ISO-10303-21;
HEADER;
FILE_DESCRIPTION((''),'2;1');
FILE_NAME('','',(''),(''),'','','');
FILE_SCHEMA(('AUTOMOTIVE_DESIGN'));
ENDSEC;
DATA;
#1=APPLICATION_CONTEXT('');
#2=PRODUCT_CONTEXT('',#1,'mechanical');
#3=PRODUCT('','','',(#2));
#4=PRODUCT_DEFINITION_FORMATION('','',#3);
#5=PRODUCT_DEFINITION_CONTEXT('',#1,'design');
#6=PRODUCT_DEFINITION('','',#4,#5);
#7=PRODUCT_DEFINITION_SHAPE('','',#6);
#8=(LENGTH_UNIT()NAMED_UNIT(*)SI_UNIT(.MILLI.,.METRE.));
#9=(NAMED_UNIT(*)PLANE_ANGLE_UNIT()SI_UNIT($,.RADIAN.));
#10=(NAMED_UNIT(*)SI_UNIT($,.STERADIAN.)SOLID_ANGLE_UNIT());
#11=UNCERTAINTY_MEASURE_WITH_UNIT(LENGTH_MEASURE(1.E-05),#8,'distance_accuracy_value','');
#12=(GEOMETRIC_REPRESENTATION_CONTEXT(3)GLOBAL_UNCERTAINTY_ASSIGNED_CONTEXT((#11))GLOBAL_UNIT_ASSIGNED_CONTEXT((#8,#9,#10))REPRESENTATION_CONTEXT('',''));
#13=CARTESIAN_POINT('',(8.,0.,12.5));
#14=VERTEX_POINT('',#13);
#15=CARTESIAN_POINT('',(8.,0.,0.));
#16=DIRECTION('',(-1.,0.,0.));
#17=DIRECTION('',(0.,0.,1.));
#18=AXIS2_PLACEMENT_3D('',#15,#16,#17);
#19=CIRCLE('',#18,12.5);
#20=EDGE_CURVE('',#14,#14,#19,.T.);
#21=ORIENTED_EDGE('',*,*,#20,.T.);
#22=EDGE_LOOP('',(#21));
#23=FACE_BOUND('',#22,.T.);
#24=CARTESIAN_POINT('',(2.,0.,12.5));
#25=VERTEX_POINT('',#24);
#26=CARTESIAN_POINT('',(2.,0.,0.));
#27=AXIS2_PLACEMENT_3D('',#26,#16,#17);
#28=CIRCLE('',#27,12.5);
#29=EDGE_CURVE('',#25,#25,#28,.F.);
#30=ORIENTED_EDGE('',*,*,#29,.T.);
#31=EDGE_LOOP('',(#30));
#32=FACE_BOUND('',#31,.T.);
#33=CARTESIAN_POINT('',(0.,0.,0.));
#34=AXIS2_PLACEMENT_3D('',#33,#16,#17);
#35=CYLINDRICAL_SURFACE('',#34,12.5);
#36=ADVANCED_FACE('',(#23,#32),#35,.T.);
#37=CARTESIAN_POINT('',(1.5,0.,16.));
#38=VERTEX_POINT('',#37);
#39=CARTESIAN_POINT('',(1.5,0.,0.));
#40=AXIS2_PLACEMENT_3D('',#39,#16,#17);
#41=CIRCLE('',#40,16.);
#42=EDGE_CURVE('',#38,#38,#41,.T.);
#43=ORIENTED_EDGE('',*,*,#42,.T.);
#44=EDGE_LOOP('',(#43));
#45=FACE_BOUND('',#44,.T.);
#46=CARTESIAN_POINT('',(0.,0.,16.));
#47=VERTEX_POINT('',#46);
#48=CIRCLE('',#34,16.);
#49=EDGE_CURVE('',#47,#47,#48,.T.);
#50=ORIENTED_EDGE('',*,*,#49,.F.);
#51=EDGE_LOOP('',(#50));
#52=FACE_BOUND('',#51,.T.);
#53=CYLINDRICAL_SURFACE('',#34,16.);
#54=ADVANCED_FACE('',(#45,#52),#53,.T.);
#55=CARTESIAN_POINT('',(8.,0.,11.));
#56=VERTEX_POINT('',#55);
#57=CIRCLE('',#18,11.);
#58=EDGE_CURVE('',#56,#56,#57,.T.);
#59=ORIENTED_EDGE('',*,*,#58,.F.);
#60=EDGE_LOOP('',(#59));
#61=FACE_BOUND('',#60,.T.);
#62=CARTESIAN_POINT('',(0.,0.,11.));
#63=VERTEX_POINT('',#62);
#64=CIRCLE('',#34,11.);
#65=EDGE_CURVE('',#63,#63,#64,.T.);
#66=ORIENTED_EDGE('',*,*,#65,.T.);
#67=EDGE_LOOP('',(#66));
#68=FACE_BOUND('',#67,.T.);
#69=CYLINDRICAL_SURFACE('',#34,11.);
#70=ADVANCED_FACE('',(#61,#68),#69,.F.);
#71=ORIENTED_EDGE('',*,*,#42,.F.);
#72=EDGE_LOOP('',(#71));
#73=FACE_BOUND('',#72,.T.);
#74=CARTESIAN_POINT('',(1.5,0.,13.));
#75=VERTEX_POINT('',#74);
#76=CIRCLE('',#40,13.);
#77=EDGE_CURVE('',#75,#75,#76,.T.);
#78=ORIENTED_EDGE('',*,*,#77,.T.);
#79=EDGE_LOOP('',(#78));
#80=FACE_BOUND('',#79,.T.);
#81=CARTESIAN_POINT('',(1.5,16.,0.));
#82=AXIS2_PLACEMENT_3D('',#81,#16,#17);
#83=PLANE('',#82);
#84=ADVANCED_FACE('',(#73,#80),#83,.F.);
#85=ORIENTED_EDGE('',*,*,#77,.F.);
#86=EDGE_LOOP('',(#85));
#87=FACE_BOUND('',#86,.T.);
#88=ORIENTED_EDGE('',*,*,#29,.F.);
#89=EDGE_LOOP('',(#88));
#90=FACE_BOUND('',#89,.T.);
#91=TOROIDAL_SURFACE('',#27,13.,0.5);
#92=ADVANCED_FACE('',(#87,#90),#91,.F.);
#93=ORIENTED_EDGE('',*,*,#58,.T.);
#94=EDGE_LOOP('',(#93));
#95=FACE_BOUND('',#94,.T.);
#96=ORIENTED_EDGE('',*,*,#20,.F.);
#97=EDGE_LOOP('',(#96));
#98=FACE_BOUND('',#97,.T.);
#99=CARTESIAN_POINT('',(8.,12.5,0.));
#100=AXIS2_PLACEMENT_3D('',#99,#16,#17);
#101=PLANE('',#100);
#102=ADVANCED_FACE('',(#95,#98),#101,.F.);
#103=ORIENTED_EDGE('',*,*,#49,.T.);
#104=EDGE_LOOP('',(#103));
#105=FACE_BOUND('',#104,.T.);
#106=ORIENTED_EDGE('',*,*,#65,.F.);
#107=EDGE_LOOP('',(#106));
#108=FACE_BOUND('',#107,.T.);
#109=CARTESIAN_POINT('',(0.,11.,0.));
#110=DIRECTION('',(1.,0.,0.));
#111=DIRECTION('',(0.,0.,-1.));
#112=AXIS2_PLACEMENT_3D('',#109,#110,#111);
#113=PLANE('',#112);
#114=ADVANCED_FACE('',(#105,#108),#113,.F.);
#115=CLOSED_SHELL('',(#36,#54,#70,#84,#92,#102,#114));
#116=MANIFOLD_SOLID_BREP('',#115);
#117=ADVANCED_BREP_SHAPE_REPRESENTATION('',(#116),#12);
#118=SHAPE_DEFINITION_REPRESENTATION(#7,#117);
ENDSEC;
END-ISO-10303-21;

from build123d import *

# Parameters (mm, degrees)
FILLET1_R = 0.5


with BuildPart() as part:
    # Sketch1 → Revolve1 (revolve)
    with BuildSketch(Plane.XY, mode=Mode.PRIVATE) as revolve1_sk:
        Polygon((0, 11), (0, 16), (1.5, 16), (1.5, 12.5), (8, 12.5), (8, 11), align=None)
    revolve(revolve1_sk.sketch.rotate(Axis((0, 0, 0), (1, 0, 0)), 90), axis=Axis((0, 0, 0), (1, 0, 0)))

    # Fillet1
    fillet1_edges = [part.edges().sort_by_distance(p)[0] for p in [
        (1.5, 0, -12.5),
    ]]
    fillet(fillet1_edges, radius=FILLET1_R)


solid = part.part
